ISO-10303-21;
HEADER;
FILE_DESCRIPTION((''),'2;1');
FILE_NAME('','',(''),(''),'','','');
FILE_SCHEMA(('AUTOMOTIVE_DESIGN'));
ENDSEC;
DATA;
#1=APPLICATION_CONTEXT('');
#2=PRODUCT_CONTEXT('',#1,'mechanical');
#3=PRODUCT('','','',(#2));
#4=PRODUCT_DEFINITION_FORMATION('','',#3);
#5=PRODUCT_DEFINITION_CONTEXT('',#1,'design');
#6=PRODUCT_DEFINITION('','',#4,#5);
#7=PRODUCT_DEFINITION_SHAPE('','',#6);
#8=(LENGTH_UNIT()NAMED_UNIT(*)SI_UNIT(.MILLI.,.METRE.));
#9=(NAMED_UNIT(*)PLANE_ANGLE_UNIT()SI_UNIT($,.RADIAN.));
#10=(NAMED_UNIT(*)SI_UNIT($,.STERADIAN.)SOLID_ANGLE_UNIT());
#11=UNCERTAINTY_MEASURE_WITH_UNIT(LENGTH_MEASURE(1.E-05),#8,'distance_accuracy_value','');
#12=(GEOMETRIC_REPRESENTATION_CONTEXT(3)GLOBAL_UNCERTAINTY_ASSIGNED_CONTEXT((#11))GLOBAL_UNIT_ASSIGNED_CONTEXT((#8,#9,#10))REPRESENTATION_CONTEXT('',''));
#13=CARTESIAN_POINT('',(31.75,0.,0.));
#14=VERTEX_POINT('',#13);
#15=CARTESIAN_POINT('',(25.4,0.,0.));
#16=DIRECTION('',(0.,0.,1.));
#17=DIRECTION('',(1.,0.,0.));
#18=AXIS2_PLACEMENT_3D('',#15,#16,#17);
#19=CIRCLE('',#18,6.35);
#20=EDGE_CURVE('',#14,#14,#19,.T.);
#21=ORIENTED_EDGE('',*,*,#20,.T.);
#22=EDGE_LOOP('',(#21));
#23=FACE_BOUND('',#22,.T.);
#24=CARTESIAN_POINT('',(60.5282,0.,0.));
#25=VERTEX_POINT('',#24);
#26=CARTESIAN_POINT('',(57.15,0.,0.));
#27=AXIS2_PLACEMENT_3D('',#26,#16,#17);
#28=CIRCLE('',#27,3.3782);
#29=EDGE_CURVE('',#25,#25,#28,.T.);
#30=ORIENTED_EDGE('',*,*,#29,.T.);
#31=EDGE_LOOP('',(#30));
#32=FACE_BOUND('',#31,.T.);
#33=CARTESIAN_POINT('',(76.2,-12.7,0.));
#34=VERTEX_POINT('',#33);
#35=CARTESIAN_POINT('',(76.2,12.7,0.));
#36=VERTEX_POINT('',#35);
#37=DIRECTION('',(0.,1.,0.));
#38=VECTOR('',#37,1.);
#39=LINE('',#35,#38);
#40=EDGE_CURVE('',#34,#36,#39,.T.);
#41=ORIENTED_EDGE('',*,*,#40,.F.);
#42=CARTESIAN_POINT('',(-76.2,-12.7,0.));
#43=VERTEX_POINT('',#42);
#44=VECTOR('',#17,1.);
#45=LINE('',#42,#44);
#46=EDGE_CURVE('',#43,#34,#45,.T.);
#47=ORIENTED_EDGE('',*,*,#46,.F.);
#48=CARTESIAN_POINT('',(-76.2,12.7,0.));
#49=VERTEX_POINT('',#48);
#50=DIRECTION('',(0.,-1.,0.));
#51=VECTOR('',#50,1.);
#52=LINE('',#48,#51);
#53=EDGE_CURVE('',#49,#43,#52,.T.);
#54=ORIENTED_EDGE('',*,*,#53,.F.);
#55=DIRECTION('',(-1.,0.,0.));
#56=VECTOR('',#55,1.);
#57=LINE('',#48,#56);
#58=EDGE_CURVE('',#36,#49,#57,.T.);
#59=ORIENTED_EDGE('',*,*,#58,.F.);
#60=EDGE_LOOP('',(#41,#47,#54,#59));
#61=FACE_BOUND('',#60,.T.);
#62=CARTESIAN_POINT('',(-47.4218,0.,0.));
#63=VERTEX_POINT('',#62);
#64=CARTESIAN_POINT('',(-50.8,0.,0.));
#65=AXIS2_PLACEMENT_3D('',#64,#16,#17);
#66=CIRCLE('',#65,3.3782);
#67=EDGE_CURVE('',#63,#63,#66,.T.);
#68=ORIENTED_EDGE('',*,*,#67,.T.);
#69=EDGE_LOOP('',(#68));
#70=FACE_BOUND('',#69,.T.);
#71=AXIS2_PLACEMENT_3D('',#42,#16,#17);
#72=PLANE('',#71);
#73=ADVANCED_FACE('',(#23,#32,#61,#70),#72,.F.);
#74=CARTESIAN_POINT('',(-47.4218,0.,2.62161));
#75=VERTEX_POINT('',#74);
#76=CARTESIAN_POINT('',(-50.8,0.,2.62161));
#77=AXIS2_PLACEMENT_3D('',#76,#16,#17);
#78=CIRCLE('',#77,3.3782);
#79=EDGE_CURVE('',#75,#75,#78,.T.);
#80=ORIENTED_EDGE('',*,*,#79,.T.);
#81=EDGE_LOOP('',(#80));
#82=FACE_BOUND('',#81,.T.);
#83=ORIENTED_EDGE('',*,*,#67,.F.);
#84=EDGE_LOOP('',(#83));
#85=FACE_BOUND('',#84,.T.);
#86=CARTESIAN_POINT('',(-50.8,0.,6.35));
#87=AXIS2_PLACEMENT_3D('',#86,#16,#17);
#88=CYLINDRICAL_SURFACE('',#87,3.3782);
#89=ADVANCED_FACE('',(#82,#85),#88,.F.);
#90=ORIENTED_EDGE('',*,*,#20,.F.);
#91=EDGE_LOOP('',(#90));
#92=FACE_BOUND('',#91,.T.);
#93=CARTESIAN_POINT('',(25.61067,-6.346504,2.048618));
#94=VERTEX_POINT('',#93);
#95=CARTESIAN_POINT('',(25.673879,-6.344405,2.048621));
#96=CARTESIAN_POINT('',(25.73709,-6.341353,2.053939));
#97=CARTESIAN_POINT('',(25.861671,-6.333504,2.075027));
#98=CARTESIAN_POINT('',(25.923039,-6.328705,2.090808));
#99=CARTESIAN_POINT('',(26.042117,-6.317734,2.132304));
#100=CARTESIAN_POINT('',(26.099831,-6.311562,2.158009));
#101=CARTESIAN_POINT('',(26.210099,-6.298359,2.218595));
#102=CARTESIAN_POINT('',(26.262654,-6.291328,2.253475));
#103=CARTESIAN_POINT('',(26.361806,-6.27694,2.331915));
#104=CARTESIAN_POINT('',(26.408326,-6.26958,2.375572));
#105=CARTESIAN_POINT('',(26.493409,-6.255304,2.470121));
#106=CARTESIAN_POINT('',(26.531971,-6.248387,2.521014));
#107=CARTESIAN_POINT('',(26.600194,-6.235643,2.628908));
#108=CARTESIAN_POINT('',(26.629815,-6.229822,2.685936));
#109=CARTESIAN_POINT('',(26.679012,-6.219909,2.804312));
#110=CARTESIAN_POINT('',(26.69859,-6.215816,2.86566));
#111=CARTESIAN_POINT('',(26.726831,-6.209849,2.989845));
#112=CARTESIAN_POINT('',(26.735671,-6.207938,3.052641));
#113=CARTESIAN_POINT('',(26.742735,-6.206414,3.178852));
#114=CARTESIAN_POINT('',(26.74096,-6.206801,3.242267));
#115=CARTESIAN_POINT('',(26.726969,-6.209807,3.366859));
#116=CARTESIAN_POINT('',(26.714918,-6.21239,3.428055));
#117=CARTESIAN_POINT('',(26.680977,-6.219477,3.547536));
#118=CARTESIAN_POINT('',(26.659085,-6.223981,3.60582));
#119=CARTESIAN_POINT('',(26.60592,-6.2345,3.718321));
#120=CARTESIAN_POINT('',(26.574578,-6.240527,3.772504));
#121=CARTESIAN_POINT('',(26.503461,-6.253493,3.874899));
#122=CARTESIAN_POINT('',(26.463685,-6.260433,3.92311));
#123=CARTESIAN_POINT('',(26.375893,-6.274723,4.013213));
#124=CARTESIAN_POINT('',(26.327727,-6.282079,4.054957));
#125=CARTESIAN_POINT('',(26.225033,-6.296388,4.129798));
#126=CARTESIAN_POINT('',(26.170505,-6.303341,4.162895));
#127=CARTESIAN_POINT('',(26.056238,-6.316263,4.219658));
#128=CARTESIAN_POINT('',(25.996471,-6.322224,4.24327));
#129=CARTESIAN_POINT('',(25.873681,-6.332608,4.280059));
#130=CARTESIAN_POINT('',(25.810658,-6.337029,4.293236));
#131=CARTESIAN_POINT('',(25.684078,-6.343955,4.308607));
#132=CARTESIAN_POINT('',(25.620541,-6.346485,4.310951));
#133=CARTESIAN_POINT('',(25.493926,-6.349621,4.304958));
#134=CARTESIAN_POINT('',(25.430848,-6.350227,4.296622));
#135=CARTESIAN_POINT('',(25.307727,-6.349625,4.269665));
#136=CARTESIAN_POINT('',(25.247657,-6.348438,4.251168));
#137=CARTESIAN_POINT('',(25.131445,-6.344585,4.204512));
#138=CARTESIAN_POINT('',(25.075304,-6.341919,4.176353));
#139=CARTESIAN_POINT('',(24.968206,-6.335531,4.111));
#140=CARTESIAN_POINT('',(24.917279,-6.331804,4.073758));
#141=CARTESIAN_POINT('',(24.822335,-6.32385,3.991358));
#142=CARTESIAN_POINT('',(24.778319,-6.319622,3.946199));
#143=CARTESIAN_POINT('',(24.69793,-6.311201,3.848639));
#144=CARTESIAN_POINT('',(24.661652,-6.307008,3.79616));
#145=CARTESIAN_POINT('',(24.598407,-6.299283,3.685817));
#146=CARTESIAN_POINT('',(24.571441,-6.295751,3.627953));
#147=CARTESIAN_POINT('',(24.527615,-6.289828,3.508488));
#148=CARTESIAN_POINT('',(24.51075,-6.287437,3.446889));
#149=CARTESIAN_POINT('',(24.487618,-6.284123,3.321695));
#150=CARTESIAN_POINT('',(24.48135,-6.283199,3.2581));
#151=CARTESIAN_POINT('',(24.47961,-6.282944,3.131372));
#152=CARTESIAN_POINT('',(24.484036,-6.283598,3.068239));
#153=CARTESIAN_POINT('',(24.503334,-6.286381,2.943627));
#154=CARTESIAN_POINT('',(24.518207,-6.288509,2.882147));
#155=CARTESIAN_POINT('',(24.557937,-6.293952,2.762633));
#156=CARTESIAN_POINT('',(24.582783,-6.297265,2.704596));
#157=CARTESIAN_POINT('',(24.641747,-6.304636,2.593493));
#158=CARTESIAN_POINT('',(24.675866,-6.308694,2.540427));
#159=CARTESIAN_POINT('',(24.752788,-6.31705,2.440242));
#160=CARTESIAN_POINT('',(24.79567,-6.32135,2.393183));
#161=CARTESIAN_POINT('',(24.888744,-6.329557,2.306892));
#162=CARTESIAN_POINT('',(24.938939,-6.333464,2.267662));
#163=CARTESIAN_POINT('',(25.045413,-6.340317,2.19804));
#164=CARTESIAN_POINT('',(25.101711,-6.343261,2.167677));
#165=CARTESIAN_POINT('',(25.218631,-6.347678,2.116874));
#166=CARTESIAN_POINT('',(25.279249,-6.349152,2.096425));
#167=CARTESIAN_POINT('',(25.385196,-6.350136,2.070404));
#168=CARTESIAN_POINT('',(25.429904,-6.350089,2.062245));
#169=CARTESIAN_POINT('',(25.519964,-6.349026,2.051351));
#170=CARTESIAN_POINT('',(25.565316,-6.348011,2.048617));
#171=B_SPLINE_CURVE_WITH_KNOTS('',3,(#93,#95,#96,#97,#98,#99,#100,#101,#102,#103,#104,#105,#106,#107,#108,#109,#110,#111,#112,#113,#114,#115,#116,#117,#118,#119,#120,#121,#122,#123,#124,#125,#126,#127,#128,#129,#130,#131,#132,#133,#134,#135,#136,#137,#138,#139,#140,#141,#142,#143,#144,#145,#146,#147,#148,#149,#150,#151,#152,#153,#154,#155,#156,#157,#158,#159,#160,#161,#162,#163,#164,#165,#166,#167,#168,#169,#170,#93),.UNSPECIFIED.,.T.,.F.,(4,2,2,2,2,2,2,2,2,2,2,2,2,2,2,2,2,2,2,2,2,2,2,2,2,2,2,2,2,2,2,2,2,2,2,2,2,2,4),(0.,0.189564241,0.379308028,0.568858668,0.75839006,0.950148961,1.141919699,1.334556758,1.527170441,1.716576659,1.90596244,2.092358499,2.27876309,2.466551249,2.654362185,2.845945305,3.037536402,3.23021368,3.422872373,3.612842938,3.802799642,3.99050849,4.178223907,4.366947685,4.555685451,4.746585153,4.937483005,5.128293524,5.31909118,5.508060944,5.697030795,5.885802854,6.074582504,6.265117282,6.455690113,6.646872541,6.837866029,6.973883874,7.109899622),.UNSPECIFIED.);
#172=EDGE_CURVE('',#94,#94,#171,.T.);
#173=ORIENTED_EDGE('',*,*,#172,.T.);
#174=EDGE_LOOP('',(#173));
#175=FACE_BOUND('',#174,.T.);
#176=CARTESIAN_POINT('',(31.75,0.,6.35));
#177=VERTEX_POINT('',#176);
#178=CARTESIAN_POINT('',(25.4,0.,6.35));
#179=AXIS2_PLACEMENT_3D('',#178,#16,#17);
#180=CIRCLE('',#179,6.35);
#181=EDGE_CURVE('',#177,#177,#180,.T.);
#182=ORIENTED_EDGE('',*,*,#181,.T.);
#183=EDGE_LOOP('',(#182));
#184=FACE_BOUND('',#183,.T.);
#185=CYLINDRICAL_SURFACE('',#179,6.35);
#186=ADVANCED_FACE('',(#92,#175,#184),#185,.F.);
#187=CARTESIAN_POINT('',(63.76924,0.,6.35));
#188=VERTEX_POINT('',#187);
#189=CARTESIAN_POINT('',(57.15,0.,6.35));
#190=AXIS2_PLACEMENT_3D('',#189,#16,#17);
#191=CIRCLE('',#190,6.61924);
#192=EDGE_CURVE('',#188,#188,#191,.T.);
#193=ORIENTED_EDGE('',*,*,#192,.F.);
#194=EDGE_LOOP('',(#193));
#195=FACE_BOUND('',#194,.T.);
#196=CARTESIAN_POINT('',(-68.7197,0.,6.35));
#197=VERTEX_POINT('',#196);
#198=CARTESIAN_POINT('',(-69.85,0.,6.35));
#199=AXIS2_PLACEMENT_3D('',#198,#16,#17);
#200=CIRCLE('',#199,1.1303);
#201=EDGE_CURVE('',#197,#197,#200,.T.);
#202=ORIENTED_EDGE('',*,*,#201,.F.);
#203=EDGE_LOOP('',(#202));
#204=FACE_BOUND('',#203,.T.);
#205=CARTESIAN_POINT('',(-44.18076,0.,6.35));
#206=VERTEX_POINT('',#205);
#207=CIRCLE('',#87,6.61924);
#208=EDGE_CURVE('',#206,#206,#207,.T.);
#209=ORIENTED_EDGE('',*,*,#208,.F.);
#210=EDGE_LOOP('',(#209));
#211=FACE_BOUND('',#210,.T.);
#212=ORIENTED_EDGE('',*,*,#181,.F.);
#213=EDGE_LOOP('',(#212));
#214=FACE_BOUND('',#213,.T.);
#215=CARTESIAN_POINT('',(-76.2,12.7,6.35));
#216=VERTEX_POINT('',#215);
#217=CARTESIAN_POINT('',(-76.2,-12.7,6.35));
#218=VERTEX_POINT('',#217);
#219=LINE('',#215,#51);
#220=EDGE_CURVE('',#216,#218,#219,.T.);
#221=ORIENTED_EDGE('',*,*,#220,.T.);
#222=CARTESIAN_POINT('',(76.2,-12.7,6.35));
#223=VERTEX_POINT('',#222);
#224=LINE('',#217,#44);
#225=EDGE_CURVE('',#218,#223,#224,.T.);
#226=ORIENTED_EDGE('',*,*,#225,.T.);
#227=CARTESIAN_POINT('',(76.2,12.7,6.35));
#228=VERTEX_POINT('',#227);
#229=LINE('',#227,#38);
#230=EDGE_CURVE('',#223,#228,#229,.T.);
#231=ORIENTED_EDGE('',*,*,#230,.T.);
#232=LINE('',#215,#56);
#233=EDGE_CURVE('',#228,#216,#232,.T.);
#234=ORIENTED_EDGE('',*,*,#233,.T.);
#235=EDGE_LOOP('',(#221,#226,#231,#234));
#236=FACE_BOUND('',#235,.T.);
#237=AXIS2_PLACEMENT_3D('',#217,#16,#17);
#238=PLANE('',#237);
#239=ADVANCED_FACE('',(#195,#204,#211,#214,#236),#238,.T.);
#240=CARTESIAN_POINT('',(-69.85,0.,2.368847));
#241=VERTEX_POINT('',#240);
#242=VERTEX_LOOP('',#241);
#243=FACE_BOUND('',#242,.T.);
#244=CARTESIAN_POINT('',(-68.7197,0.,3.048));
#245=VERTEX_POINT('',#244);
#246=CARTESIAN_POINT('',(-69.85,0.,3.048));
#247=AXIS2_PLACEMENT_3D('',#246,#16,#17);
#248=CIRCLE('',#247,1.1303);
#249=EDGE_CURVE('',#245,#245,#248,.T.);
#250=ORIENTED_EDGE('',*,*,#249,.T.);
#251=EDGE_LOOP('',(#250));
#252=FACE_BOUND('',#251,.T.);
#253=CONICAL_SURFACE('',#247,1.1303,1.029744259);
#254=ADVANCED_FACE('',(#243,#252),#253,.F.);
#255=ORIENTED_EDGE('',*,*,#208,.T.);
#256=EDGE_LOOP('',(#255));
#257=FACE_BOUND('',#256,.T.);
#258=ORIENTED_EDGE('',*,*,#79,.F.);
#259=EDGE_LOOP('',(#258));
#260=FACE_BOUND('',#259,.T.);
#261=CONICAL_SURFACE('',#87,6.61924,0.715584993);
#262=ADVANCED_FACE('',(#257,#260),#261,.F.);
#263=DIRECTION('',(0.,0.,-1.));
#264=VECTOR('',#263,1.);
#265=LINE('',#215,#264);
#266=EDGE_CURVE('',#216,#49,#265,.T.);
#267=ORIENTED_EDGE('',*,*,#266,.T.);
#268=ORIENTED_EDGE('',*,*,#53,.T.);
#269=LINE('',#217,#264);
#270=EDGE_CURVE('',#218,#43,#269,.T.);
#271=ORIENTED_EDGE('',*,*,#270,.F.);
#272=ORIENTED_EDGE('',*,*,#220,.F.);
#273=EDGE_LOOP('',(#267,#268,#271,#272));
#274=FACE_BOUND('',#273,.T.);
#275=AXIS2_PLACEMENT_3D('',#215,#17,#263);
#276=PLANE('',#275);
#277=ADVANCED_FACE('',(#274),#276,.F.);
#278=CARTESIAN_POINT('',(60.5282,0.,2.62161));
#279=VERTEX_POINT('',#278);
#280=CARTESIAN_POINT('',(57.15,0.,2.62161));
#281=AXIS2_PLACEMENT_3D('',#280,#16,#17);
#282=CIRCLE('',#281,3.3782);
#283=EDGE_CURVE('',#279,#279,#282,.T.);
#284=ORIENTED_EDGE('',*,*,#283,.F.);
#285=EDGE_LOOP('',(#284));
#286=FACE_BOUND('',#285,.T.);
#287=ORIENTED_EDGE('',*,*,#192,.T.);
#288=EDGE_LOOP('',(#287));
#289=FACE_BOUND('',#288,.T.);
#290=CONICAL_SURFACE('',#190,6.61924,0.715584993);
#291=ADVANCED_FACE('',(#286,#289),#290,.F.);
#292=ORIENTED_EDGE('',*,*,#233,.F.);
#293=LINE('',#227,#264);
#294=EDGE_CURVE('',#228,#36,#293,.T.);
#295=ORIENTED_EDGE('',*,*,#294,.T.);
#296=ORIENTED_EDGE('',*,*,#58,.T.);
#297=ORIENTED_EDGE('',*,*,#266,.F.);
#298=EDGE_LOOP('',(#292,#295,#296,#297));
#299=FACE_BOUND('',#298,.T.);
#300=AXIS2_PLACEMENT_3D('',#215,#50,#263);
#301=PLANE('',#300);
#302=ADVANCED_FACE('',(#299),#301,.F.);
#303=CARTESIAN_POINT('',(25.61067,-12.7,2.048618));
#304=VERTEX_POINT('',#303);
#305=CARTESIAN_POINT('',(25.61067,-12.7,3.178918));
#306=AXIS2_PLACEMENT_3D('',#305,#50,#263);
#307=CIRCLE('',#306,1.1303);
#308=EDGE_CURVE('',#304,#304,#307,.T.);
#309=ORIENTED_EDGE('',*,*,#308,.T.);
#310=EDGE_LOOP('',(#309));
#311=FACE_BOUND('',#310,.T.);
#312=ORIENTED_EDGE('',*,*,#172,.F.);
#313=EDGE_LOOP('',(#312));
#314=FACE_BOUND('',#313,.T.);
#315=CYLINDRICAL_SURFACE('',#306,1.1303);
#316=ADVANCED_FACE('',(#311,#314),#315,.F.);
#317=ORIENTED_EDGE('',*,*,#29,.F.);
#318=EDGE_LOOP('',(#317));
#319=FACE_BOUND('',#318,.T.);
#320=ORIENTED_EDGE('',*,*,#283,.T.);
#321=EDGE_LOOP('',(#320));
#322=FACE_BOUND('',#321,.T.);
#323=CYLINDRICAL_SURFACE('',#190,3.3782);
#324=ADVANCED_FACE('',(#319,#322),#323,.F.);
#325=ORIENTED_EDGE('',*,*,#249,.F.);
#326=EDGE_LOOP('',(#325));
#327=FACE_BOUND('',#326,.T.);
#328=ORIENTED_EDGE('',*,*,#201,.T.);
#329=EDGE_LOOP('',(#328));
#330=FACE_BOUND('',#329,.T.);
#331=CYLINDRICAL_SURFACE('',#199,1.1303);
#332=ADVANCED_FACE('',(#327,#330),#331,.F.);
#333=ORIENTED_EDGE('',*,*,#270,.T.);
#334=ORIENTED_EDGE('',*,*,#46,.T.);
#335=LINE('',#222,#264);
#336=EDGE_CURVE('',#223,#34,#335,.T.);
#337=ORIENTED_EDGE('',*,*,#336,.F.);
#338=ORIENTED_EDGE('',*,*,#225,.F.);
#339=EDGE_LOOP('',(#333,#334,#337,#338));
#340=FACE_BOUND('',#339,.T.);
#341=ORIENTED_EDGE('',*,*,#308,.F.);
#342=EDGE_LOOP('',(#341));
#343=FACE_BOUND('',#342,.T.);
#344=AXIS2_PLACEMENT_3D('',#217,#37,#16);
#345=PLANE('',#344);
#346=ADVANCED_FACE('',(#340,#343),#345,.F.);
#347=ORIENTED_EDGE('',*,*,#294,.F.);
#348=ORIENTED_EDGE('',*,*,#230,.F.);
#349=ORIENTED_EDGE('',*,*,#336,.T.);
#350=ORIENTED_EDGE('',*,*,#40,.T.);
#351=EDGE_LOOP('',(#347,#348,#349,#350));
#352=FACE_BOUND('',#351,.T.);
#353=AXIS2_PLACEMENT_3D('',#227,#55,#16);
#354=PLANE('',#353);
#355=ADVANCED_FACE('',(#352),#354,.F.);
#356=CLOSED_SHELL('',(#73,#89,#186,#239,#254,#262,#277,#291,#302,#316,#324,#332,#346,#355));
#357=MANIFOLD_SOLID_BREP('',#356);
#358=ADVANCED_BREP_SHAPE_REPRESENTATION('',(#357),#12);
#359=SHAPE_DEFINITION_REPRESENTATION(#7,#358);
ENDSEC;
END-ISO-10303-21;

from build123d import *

# Parameters (mm, degrees)
SKETCH1_W                  = 152.4
SKETCH1_H                  = 25.4
EXTRUDE1_DEPTH             = 6.35
F_4_40_TAPPED_HOLE2_D      = 2.2606
F_4_40_TAPPED_HOLE2_DEPTH  = 3.302
F_4_40_TAPPED_HOLE2_TIP    = 0.679152758
F_1_2_0_5_DIAMETER_HOLE1_D = 12.7
F_4_40_TAPPED_HOLE3_D      = 2.2606
F_4_40_TAPPED_HOLE3_DEPTH  = 8.89
F_4_40_TAPPED_HOLE3_TIP    = 0.679152758


with BuildPart() as part:
    # Sketch1 → Extrude1 (new body)
    with BuildSketch(Plane.XY):
        Rectangle(SKETCH1_W, SKETCH1_H)
    extrude(amount=EXTRUDE1_DEPTH)

    # #4-40 Tapped Hole2
    with Locations(Plane(origin=(-69.85, 0, 6.35), x_dir=(1, 0, 0), z_dir=(0, 0, 1))):
        with Locations((0, 0)):
            Hole(F_4_40_TAPPED_HOLE2_D / 2, depth=F_4_40_TAPPED_HOLE2_DEPTH)
            with Locations((0, 0, -(F_4_40_TAPPED_HOLE2_DEPTH + F_4_40_TAPPED_HOLE2_TIP / 2))):  # 118° drill point
                Cone(0, F_4_40_TAPPED_HOLE2_D / 2, F_4_40_TAPPED_HOLE2_TIP, mode=Mode.SUBTRACT)

    # 1/2 (0.5) Diameter Hole1 (through all)
    with Locations(Plane(origin=(25.4, 0, 6.35), x_dir=(1, 0, 0), z_dir=(0, 0, 1))):
        with Locations((0, 0)):
            Hole(F_1_2_0_5_DIAMETER_HOLE1_D / 2)

    # #4-40 Tapped Hole3
    with Locations(Plane(origin=(25.610669662, -12.7, 3.178918451), x_dir=(0, 0, -1), z_dir=(0, -1, 0))):
        with Locations((0, 0)):
            Hole(F_4_40_TAPPED_HOLE3_D / 2, depth=F_4_40_TAPPED_HOLE3_DEPTH)
            with Locations((0, 0, -(F_4_40_TAPPED_HOLE3_DEPTH + F_4_40_TAPPED_HOLE3_TIP / 2))):  # 118° drill point
                Cone(0, F_4_40_TAPPED_HOLE3_D / 2, F_4_40_TAPPED_HOLE3_TIP, mode=Mode.SUBTRACT)

    # Sketch17 → CSK for 1/4 Flat Head Socket Cap Screw4 (revolve, cut)
    with BuildSketch(Plane(origin=(-50.8, 0, 6.35), x_dir=(0, -1, 0), z_dir=(1, 0, 0))):
        Polygon((0, 0), (0, 6.35), (3.3782, 6.35), (3.3782, 3.728390023), (6.61924, 0), align=None)
    revolve(axis=Axis((-50.8, 0, 12.7), (0, 0, -1)), mode=Mode.SUBTRACT)

    # Sketch19 → CSK for 1/4 Flat Head Socket Cap Screw5 (revolve, cut)
    with BuildSketch(Plane(origin=(57.15, 0, 6.35), x_dir=(0, -1, 0), z_dir=(1, 0, 0))):
        Polygon((0, 0), (0, 6.35), (3.3782, 6.35), (3.3782, 3.728390023), (6.61924, 0), align=None)
    revolve(axis=Axis((57.15, 0, 12.7), (0, 0, -1)), mode=Mode.SUBTRACT)


solid = part.part
